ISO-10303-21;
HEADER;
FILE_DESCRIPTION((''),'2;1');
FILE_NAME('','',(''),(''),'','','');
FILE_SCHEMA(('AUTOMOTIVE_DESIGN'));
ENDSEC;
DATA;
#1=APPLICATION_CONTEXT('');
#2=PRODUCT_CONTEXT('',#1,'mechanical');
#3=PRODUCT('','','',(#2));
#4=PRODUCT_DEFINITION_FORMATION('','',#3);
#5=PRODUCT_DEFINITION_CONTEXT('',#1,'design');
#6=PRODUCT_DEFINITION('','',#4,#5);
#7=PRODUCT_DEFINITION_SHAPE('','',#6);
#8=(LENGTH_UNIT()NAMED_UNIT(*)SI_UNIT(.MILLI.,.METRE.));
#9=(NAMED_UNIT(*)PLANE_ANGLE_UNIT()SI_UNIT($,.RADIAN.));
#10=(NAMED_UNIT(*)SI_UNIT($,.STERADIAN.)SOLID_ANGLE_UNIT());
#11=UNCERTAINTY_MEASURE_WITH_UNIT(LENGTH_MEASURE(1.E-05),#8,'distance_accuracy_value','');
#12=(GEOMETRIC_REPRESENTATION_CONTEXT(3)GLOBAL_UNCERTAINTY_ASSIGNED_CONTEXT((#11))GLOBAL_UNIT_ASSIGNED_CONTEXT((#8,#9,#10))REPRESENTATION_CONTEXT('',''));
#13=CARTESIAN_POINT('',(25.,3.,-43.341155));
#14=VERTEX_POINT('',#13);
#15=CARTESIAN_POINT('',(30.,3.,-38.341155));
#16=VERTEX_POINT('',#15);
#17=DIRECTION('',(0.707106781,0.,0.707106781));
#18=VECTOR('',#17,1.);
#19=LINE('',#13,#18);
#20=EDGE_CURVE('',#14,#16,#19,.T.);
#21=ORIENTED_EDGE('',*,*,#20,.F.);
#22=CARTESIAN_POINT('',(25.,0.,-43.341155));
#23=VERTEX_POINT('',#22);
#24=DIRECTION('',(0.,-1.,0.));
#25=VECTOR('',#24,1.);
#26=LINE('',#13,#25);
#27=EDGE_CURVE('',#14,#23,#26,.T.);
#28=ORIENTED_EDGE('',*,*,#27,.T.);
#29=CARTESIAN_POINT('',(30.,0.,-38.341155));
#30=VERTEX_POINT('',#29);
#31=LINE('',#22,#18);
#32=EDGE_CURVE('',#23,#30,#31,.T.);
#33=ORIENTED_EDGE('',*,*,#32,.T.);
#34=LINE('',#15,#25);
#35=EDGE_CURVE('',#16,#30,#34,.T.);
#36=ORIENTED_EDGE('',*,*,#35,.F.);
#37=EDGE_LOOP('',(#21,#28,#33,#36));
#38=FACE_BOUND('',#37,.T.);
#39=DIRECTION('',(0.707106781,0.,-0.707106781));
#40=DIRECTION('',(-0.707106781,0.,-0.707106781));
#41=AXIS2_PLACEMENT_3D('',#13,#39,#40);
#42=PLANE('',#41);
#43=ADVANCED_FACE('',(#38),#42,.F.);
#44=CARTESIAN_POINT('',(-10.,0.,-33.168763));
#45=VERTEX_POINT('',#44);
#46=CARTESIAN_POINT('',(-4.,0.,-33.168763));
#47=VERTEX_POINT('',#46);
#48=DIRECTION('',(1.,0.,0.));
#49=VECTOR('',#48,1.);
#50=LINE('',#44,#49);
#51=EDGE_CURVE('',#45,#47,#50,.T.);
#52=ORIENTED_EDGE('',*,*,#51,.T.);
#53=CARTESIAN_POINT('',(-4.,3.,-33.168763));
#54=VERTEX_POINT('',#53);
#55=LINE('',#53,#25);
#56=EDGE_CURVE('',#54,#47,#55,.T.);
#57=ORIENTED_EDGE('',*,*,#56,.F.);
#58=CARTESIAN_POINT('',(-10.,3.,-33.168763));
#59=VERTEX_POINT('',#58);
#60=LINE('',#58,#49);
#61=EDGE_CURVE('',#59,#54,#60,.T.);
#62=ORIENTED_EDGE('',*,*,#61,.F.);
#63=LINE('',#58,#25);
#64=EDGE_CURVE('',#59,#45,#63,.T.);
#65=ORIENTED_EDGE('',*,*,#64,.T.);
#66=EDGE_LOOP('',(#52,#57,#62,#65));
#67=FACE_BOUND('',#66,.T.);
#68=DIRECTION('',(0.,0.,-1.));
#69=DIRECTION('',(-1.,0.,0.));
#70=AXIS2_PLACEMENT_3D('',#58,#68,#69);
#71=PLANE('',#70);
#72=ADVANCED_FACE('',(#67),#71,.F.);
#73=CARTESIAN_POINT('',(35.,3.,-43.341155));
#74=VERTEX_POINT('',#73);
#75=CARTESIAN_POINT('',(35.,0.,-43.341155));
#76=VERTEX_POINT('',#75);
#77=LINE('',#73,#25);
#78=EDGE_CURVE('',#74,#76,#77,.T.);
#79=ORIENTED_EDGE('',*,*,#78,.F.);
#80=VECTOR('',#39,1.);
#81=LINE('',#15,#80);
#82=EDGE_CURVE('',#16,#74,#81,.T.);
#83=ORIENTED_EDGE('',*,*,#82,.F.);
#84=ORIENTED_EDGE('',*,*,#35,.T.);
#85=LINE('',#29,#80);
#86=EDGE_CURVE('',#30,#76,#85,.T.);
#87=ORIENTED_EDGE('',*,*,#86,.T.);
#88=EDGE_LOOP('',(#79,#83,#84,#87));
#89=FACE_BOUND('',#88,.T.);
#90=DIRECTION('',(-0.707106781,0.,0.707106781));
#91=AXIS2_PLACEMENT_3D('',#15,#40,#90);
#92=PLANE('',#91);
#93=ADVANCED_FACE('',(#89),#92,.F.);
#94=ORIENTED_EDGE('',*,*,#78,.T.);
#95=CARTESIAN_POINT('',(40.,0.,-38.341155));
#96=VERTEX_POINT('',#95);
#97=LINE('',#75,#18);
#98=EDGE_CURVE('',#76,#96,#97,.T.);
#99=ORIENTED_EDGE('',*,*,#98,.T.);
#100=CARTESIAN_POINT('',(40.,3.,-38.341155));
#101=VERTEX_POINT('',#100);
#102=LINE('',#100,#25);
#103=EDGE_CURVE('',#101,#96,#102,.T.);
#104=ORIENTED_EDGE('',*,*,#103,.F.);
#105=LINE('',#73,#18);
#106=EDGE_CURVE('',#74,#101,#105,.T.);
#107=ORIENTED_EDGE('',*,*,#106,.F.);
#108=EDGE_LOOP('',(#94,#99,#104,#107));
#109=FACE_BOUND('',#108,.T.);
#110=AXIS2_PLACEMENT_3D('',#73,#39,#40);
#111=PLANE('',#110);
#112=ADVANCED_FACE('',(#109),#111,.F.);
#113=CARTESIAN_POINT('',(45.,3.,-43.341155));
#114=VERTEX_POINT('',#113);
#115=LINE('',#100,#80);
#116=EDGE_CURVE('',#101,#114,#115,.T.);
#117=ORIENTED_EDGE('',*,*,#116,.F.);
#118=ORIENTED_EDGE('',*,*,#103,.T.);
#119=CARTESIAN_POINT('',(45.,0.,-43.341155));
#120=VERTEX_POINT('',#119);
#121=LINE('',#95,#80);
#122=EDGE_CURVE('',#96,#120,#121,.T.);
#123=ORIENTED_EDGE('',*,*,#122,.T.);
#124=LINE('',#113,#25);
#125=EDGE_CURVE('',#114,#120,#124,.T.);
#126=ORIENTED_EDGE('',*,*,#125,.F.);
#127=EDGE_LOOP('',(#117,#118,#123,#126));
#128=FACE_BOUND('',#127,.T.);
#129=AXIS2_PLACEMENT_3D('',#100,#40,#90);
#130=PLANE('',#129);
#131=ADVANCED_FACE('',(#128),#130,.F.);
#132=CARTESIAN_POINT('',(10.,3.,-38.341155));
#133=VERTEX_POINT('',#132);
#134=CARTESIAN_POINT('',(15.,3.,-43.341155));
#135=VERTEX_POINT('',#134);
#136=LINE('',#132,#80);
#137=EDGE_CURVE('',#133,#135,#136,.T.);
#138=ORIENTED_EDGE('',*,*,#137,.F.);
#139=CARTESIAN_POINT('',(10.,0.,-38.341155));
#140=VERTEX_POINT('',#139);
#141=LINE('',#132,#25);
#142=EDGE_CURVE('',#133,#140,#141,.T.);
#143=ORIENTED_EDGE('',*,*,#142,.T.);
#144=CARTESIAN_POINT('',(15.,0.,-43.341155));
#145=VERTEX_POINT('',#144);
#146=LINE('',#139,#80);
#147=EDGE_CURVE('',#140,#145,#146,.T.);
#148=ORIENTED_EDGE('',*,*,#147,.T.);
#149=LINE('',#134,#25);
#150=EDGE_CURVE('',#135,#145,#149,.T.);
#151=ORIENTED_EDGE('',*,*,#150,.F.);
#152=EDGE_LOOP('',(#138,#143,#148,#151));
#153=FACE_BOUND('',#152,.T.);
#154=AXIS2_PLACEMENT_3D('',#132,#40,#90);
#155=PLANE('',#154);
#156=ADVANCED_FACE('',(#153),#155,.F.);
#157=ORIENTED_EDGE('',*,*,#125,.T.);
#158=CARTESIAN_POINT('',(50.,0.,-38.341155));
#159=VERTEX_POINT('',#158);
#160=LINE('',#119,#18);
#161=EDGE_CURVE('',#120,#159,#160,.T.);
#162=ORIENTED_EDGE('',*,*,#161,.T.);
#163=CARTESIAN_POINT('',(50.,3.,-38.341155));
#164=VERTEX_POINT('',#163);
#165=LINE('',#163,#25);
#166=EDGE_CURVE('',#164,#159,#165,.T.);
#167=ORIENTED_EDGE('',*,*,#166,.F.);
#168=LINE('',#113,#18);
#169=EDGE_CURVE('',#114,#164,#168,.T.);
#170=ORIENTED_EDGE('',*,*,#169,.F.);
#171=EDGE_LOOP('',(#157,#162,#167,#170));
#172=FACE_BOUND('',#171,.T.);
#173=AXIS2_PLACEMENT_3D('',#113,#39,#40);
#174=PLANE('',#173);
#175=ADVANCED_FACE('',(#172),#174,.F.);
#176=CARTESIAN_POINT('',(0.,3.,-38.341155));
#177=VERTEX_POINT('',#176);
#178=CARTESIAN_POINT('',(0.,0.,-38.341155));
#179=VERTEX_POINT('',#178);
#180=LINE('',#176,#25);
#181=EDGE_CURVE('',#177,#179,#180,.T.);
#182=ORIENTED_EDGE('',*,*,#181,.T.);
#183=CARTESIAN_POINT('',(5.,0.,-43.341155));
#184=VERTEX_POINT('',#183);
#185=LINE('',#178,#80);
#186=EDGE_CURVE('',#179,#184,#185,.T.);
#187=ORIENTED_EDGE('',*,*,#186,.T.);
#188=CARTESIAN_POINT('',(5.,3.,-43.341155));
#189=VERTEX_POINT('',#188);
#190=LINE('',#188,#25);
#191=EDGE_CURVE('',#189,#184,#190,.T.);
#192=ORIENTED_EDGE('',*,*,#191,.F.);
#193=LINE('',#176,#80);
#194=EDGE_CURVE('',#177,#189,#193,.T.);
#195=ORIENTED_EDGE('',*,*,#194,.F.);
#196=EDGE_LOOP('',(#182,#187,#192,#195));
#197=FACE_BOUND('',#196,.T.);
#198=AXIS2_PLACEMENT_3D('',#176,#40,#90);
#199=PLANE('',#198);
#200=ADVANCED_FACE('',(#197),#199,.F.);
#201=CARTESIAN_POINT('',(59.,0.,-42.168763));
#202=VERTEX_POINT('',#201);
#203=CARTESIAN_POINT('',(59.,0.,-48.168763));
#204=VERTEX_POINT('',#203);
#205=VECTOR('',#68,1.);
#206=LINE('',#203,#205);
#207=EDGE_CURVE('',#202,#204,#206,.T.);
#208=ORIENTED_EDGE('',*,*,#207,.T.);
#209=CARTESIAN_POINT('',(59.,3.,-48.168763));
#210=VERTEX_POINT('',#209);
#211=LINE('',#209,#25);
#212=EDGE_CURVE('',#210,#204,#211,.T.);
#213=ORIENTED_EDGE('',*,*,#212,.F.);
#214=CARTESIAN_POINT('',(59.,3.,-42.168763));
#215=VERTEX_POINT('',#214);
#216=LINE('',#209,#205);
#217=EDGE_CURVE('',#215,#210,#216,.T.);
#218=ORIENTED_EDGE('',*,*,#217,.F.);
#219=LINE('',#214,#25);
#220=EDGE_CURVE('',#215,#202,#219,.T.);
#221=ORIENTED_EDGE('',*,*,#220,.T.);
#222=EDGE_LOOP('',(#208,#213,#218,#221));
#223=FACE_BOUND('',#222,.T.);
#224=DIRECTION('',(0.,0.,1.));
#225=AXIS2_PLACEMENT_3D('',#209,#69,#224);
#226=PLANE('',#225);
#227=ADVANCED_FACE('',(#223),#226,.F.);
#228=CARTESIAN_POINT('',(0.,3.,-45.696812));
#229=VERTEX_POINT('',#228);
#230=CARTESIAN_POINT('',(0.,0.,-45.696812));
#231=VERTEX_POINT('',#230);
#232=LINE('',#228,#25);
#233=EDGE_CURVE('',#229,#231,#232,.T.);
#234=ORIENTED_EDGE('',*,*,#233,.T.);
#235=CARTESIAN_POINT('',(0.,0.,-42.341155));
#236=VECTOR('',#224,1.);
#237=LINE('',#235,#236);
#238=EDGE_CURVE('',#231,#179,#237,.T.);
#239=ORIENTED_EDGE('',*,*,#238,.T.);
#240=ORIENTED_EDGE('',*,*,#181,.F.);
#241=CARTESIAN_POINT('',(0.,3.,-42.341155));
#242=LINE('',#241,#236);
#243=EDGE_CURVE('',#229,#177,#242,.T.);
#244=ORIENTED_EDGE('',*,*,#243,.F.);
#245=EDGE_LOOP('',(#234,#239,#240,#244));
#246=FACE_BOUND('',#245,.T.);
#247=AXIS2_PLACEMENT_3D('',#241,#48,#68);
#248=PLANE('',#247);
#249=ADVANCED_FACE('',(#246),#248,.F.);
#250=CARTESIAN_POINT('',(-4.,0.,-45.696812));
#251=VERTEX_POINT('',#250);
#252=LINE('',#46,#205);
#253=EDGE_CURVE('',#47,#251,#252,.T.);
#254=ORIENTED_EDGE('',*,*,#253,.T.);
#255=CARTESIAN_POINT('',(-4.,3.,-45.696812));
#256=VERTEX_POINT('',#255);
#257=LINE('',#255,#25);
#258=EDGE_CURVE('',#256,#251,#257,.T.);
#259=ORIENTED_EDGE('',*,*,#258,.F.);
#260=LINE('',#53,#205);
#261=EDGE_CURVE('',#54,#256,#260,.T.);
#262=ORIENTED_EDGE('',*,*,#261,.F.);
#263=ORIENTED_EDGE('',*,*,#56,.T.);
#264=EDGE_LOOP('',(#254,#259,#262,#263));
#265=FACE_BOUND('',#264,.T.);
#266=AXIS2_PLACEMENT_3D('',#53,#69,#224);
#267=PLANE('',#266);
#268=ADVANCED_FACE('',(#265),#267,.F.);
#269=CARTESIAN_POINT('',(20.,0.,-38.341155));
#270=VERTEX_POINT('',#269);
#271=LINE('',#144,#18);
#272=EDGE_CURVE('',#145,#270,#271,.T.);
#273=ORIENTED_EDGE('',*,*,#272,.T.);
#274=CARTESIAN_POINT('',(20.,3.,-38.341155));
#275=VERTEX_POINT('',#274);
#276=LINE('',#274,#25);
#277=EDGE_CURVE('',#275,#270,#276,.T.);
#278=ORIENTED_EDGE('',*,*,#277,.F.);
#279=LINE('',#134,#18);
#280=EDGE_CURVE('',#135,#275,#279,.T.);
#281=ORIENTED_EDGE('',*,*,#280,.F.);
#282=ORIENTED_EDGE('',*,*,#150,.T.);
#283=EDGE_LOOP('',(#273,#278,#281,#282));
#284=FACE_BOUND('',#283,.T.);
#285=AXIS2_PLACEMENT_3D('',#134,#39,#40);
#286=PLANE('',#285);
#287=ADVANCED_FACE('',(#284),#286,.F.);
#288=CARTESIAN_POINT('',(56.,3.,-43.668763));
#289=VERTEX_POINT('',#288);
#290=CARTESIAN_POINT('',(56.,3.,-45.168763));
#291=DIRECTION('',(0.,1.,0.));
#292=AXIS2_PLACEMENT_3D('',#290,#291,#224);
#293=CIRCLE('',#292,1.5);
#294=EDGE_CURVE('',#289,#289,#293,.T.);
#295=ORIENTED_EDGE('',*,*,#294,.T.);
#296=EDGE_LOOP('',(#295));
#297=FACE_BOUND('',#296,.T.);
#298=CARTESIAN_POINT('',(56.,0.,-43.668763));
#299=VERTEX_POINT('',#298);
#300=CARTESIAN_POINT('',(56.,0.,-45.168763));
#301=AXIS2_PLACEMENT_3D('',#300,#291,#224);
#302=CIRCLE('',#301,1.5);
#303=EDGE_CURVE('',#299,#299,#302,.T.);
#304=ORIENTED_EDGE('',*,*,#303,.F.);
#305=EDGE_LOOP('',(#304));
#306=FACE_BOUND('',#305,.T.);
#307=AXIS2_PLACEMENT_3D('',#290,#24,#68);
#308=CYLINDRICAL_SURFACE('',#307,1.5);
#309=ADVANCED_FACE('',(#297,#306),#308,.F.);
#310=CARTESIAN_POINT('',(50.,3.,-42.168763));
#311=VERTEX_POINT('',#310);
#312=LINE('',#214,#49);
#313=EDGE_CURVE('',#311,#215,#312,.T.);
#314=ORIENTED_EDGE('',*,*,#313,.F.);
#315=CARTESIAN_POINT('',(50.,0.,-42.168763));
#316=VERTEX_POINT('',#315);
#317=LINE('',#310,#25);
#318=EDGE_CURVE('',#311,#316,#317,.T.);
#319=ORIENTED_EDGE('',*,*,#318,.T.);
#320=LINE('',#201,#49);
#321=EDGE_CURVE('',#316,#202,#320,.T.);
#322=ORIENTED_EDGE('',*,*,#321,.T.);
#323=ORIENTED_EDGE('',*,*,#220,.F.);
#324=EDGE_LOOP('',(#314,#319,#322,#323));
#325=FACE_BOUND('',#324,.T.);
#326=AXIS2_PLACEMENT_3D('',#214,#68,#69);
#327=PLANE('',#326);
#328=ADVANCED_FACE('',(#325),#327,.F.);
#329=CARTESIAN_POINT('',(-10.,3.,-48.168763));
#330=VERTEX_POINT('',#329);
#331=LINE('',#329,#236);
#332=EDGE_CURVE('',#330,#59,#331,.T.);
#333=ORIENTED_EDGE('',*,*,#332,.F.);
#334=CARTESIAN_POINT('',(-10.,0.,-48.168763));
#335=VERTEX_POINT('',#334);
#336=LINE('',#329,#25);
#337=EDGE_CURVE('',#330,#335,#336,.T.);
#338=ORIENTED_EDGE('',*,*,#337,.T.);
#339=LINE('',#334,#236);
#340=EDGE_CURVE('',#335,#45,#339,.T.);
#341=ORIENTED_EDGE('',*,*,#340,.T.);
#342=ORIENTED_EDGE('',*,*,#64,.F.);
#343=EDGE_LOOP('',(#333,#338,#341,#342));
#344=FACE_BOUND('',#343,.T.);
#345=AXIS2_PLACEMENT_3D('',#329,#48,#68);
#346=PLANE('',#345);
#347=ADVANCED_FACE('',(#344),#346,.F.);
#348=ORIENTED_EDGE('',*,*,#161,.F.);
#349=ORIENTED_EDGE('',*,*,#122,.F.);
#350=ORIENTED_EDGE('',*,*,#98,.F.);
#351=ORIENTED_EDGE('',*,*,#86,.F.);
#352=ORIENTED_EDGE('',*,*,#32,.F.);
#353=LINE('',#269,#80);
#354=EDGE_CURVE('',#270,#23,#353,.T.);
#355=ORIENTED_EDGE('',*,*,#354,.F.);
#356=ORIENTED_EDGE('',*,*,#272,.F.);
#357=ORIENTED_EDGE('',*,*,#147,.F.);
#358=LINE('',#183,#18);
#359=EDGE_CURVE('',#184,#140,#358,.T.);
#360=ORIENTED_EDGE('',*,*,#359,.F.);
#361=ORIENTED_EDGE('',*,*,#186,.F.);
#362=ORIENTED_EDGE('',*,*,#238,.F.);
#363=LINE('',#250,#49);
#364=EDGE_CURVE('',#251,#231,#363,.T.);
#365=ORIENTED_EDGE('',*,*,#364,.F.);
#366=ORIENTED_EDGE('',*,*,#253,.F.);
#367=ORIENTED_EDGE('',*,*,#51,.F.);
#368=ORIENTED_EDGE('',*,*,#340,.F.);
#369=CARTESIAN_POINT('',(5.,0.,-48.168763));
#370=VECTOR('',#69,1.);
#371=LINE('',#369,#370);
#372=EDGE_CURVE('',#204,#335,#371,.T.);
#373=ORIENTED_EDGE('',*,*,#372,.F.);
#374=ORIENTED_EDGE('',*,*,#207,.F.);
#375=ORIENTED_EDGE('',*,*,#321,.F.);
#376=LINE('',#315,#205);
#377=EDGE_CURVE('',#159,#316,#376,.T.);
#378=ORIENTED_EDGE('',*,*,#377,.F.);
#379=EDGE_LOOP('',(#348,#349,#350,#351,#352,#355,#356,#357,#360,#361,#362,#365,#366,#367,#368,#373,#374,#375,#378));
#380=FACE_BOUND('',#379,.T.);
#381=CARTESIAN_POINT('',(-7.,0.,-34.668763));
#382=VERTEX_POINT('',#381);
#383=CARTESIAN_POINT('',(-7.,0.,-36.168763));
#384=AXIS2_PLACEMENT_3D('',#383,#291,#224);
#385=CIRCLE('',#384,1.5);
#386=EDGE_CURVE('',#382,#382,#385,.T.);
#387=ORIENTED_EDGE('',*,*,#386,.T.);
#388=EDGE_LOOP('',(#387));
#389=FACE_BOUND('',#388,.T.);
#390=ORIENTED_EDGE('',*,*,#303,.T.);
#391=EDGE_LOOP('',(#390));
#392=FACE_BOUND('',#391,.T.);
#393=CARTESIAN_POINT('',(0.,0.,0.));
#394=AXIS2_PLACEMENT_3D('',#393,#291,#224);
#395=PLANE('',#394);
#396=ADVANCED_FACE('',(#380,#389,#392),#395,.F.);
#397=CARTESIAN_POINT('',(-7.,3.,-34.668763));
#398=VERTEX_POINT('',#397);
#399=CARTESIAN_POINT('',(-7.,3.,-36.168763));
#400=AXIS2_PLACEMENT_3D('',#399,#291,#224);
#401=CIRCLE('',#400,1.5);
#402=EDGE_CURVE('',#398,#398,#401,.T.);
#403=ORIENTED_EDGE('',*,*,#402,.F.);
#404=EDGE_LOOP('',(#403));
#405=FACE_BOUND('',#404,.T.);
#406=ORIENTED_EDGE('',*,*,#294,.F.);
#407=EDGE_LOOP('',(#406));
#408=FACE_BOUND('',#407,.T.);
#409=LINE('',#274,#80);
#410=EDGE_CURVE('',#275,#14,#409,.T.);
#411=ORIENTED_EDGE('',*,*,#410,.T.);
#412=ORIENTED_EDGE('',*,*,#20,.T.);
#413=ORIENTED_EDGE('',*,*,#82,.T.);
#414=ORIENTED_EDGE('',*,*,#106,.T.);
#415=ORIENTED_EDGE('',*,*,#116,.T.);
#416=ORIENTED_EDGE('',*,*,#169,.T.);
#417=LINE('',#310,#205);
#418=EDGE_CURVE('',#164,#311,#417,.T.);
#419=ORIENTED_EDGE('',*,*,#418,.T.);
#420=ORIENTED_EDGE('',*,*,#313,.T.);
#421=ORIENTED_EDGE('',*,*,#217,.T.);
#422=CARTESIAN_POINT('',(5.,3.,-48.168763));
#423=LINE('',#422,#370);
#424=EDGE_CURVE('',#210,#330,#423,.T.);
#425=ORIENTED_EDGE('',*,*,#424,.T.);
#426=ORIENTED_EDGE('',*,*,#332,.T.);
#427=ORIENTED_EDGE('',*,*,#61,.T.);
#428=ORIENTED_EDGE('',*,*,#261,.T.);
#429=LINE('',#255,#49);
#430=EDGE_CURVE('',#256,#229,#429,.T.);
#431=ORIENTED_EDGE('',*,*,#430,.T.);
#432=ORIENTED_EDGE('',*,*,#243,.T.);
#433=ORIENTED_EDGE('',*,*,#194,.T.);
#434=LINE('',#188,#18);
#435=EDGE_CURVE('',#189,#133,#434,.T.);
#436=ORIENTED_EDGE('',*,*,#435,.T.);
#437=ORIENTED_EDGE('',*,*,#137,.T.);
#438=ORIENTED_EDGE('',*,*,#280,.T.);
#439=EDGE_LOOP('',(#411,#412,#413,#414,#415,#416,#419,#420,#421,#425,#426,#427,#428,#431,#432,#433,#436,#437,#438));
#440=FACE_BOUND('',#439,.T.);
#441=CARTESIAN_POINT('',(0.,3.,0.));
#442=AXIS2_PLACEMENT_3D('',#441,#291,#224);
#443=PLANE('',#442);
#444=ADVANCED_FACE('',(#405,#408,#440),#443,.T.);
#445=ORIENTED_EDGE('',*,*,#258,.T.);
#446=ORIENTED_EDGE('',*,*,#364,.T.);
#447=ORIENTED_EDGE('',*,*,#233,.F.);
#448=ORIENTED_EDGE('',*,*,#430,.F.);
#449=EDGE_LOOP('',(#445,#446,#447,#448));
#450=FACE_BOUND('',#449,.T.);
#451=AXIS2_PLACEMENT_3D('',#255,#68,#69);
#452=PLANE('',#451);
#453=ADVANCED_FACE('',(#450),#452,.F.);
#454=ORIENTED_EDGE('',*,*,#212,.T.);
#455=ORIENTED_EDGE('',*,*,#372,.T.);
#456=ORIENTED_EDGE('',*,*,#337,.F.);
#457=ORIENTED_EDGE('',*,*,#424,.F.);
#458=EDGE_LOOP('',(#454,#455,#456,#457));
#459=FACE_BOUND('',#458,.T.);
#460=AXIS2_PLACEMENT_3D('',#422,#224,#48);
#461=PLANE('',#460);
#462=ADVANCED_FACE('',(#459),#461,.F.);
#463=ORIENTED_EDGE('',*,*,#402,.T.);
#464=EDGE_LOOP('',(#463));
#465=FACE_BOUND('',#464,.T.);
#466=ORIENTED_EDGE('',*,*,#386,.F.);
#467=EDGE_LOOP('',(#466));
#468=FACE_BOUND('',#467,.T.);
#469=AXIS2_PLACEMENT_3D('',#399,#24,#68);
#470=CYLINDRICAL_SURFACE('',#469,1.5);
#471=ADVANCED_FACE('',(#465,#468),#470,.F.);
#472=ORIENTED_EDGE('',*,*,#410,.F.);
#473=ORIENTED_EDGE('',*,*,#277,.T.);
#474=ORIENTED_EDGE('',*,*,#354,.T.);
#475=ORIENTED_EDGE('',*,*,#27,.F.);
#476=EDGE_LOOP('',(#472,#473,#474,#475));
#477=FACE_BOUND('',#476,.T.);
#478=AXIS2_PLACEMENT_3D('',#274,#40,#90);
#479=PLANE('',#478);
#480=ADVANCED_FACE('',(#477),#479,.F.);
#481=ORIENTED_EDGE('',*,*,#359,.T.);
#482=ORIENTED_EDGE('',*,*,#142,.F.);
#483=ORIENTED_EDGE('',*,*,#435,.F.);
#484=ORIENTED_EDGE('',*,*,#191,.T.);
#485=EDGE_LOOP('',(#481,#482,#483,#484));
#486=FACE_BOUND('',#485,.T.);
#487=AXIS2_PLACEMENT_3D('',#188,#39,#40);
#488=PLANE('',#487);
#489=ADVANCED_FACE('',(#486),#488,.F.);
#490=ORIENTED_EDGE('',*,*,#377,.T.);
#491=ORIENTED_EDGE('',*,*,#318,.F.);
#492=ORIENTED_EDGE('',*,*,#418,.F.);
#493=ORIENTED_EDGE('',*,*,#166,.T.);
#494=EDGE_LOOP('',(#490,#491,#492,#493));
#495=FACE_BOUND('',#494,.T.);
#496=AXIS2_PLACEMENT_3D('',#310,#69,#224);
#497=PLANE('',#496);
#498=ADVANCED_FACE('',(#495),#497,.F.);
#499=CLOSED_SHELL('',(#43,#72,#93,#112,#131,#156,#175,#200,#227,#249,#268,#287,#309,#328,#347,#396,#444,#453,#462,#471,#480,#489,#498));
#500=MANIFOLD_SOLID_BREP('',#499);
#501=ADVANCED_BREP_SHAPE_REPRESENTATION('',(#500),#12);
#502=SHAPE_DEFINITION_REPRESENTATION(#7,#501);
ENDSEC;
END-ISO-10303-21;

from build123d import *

# Parameters (mm, degrees)
SKETCH1_R           = 1.5
BOSS_EXTRUDE1_DEPTH = 3


with BuildPart() as part:
    # Sketch1 → Boss-Extrude1 (new body)
    with BuildSketch(Plane(origin=(0, 0, 0), x_dir=(1, 0, 0), z_dir=(0, 1, 0))):
        Polygon((0, 42.341154582), (0, 38.341154582), (5, 43.341154582), (10, 38.341154582), (15, 43.341154582), (20, 38.341154582), (25, 43.341154582), (30, 38.341154582), (35, 43.341154582), (40, 38.341154582), (45, 43.341154582), (50, 38.341154582), (50, 42.168762746), (59, 42.168762746), (59, 48.168762746), (58.943690308, 48.168762746), (5, 48.168762746), (-1.848815236, 48.168762746), (-10, 48.168762746), (-10, 33.168762746), (-4, 33.168762746), (-4, 45.696811654), (0, 45.696811654), align=None)
        with Locations((-7, 36.168762746)):
            Circle(SKETCH1_R, mode=Mode.SUBTRACT)
        with Locations((56, 45.168762746)):
            Circle(SKETCH1_R, mode=Mode.SUBTRACT)
    extrude(amount=BOSS_EXTRUDE1_DEPTH)


solid = part.part
